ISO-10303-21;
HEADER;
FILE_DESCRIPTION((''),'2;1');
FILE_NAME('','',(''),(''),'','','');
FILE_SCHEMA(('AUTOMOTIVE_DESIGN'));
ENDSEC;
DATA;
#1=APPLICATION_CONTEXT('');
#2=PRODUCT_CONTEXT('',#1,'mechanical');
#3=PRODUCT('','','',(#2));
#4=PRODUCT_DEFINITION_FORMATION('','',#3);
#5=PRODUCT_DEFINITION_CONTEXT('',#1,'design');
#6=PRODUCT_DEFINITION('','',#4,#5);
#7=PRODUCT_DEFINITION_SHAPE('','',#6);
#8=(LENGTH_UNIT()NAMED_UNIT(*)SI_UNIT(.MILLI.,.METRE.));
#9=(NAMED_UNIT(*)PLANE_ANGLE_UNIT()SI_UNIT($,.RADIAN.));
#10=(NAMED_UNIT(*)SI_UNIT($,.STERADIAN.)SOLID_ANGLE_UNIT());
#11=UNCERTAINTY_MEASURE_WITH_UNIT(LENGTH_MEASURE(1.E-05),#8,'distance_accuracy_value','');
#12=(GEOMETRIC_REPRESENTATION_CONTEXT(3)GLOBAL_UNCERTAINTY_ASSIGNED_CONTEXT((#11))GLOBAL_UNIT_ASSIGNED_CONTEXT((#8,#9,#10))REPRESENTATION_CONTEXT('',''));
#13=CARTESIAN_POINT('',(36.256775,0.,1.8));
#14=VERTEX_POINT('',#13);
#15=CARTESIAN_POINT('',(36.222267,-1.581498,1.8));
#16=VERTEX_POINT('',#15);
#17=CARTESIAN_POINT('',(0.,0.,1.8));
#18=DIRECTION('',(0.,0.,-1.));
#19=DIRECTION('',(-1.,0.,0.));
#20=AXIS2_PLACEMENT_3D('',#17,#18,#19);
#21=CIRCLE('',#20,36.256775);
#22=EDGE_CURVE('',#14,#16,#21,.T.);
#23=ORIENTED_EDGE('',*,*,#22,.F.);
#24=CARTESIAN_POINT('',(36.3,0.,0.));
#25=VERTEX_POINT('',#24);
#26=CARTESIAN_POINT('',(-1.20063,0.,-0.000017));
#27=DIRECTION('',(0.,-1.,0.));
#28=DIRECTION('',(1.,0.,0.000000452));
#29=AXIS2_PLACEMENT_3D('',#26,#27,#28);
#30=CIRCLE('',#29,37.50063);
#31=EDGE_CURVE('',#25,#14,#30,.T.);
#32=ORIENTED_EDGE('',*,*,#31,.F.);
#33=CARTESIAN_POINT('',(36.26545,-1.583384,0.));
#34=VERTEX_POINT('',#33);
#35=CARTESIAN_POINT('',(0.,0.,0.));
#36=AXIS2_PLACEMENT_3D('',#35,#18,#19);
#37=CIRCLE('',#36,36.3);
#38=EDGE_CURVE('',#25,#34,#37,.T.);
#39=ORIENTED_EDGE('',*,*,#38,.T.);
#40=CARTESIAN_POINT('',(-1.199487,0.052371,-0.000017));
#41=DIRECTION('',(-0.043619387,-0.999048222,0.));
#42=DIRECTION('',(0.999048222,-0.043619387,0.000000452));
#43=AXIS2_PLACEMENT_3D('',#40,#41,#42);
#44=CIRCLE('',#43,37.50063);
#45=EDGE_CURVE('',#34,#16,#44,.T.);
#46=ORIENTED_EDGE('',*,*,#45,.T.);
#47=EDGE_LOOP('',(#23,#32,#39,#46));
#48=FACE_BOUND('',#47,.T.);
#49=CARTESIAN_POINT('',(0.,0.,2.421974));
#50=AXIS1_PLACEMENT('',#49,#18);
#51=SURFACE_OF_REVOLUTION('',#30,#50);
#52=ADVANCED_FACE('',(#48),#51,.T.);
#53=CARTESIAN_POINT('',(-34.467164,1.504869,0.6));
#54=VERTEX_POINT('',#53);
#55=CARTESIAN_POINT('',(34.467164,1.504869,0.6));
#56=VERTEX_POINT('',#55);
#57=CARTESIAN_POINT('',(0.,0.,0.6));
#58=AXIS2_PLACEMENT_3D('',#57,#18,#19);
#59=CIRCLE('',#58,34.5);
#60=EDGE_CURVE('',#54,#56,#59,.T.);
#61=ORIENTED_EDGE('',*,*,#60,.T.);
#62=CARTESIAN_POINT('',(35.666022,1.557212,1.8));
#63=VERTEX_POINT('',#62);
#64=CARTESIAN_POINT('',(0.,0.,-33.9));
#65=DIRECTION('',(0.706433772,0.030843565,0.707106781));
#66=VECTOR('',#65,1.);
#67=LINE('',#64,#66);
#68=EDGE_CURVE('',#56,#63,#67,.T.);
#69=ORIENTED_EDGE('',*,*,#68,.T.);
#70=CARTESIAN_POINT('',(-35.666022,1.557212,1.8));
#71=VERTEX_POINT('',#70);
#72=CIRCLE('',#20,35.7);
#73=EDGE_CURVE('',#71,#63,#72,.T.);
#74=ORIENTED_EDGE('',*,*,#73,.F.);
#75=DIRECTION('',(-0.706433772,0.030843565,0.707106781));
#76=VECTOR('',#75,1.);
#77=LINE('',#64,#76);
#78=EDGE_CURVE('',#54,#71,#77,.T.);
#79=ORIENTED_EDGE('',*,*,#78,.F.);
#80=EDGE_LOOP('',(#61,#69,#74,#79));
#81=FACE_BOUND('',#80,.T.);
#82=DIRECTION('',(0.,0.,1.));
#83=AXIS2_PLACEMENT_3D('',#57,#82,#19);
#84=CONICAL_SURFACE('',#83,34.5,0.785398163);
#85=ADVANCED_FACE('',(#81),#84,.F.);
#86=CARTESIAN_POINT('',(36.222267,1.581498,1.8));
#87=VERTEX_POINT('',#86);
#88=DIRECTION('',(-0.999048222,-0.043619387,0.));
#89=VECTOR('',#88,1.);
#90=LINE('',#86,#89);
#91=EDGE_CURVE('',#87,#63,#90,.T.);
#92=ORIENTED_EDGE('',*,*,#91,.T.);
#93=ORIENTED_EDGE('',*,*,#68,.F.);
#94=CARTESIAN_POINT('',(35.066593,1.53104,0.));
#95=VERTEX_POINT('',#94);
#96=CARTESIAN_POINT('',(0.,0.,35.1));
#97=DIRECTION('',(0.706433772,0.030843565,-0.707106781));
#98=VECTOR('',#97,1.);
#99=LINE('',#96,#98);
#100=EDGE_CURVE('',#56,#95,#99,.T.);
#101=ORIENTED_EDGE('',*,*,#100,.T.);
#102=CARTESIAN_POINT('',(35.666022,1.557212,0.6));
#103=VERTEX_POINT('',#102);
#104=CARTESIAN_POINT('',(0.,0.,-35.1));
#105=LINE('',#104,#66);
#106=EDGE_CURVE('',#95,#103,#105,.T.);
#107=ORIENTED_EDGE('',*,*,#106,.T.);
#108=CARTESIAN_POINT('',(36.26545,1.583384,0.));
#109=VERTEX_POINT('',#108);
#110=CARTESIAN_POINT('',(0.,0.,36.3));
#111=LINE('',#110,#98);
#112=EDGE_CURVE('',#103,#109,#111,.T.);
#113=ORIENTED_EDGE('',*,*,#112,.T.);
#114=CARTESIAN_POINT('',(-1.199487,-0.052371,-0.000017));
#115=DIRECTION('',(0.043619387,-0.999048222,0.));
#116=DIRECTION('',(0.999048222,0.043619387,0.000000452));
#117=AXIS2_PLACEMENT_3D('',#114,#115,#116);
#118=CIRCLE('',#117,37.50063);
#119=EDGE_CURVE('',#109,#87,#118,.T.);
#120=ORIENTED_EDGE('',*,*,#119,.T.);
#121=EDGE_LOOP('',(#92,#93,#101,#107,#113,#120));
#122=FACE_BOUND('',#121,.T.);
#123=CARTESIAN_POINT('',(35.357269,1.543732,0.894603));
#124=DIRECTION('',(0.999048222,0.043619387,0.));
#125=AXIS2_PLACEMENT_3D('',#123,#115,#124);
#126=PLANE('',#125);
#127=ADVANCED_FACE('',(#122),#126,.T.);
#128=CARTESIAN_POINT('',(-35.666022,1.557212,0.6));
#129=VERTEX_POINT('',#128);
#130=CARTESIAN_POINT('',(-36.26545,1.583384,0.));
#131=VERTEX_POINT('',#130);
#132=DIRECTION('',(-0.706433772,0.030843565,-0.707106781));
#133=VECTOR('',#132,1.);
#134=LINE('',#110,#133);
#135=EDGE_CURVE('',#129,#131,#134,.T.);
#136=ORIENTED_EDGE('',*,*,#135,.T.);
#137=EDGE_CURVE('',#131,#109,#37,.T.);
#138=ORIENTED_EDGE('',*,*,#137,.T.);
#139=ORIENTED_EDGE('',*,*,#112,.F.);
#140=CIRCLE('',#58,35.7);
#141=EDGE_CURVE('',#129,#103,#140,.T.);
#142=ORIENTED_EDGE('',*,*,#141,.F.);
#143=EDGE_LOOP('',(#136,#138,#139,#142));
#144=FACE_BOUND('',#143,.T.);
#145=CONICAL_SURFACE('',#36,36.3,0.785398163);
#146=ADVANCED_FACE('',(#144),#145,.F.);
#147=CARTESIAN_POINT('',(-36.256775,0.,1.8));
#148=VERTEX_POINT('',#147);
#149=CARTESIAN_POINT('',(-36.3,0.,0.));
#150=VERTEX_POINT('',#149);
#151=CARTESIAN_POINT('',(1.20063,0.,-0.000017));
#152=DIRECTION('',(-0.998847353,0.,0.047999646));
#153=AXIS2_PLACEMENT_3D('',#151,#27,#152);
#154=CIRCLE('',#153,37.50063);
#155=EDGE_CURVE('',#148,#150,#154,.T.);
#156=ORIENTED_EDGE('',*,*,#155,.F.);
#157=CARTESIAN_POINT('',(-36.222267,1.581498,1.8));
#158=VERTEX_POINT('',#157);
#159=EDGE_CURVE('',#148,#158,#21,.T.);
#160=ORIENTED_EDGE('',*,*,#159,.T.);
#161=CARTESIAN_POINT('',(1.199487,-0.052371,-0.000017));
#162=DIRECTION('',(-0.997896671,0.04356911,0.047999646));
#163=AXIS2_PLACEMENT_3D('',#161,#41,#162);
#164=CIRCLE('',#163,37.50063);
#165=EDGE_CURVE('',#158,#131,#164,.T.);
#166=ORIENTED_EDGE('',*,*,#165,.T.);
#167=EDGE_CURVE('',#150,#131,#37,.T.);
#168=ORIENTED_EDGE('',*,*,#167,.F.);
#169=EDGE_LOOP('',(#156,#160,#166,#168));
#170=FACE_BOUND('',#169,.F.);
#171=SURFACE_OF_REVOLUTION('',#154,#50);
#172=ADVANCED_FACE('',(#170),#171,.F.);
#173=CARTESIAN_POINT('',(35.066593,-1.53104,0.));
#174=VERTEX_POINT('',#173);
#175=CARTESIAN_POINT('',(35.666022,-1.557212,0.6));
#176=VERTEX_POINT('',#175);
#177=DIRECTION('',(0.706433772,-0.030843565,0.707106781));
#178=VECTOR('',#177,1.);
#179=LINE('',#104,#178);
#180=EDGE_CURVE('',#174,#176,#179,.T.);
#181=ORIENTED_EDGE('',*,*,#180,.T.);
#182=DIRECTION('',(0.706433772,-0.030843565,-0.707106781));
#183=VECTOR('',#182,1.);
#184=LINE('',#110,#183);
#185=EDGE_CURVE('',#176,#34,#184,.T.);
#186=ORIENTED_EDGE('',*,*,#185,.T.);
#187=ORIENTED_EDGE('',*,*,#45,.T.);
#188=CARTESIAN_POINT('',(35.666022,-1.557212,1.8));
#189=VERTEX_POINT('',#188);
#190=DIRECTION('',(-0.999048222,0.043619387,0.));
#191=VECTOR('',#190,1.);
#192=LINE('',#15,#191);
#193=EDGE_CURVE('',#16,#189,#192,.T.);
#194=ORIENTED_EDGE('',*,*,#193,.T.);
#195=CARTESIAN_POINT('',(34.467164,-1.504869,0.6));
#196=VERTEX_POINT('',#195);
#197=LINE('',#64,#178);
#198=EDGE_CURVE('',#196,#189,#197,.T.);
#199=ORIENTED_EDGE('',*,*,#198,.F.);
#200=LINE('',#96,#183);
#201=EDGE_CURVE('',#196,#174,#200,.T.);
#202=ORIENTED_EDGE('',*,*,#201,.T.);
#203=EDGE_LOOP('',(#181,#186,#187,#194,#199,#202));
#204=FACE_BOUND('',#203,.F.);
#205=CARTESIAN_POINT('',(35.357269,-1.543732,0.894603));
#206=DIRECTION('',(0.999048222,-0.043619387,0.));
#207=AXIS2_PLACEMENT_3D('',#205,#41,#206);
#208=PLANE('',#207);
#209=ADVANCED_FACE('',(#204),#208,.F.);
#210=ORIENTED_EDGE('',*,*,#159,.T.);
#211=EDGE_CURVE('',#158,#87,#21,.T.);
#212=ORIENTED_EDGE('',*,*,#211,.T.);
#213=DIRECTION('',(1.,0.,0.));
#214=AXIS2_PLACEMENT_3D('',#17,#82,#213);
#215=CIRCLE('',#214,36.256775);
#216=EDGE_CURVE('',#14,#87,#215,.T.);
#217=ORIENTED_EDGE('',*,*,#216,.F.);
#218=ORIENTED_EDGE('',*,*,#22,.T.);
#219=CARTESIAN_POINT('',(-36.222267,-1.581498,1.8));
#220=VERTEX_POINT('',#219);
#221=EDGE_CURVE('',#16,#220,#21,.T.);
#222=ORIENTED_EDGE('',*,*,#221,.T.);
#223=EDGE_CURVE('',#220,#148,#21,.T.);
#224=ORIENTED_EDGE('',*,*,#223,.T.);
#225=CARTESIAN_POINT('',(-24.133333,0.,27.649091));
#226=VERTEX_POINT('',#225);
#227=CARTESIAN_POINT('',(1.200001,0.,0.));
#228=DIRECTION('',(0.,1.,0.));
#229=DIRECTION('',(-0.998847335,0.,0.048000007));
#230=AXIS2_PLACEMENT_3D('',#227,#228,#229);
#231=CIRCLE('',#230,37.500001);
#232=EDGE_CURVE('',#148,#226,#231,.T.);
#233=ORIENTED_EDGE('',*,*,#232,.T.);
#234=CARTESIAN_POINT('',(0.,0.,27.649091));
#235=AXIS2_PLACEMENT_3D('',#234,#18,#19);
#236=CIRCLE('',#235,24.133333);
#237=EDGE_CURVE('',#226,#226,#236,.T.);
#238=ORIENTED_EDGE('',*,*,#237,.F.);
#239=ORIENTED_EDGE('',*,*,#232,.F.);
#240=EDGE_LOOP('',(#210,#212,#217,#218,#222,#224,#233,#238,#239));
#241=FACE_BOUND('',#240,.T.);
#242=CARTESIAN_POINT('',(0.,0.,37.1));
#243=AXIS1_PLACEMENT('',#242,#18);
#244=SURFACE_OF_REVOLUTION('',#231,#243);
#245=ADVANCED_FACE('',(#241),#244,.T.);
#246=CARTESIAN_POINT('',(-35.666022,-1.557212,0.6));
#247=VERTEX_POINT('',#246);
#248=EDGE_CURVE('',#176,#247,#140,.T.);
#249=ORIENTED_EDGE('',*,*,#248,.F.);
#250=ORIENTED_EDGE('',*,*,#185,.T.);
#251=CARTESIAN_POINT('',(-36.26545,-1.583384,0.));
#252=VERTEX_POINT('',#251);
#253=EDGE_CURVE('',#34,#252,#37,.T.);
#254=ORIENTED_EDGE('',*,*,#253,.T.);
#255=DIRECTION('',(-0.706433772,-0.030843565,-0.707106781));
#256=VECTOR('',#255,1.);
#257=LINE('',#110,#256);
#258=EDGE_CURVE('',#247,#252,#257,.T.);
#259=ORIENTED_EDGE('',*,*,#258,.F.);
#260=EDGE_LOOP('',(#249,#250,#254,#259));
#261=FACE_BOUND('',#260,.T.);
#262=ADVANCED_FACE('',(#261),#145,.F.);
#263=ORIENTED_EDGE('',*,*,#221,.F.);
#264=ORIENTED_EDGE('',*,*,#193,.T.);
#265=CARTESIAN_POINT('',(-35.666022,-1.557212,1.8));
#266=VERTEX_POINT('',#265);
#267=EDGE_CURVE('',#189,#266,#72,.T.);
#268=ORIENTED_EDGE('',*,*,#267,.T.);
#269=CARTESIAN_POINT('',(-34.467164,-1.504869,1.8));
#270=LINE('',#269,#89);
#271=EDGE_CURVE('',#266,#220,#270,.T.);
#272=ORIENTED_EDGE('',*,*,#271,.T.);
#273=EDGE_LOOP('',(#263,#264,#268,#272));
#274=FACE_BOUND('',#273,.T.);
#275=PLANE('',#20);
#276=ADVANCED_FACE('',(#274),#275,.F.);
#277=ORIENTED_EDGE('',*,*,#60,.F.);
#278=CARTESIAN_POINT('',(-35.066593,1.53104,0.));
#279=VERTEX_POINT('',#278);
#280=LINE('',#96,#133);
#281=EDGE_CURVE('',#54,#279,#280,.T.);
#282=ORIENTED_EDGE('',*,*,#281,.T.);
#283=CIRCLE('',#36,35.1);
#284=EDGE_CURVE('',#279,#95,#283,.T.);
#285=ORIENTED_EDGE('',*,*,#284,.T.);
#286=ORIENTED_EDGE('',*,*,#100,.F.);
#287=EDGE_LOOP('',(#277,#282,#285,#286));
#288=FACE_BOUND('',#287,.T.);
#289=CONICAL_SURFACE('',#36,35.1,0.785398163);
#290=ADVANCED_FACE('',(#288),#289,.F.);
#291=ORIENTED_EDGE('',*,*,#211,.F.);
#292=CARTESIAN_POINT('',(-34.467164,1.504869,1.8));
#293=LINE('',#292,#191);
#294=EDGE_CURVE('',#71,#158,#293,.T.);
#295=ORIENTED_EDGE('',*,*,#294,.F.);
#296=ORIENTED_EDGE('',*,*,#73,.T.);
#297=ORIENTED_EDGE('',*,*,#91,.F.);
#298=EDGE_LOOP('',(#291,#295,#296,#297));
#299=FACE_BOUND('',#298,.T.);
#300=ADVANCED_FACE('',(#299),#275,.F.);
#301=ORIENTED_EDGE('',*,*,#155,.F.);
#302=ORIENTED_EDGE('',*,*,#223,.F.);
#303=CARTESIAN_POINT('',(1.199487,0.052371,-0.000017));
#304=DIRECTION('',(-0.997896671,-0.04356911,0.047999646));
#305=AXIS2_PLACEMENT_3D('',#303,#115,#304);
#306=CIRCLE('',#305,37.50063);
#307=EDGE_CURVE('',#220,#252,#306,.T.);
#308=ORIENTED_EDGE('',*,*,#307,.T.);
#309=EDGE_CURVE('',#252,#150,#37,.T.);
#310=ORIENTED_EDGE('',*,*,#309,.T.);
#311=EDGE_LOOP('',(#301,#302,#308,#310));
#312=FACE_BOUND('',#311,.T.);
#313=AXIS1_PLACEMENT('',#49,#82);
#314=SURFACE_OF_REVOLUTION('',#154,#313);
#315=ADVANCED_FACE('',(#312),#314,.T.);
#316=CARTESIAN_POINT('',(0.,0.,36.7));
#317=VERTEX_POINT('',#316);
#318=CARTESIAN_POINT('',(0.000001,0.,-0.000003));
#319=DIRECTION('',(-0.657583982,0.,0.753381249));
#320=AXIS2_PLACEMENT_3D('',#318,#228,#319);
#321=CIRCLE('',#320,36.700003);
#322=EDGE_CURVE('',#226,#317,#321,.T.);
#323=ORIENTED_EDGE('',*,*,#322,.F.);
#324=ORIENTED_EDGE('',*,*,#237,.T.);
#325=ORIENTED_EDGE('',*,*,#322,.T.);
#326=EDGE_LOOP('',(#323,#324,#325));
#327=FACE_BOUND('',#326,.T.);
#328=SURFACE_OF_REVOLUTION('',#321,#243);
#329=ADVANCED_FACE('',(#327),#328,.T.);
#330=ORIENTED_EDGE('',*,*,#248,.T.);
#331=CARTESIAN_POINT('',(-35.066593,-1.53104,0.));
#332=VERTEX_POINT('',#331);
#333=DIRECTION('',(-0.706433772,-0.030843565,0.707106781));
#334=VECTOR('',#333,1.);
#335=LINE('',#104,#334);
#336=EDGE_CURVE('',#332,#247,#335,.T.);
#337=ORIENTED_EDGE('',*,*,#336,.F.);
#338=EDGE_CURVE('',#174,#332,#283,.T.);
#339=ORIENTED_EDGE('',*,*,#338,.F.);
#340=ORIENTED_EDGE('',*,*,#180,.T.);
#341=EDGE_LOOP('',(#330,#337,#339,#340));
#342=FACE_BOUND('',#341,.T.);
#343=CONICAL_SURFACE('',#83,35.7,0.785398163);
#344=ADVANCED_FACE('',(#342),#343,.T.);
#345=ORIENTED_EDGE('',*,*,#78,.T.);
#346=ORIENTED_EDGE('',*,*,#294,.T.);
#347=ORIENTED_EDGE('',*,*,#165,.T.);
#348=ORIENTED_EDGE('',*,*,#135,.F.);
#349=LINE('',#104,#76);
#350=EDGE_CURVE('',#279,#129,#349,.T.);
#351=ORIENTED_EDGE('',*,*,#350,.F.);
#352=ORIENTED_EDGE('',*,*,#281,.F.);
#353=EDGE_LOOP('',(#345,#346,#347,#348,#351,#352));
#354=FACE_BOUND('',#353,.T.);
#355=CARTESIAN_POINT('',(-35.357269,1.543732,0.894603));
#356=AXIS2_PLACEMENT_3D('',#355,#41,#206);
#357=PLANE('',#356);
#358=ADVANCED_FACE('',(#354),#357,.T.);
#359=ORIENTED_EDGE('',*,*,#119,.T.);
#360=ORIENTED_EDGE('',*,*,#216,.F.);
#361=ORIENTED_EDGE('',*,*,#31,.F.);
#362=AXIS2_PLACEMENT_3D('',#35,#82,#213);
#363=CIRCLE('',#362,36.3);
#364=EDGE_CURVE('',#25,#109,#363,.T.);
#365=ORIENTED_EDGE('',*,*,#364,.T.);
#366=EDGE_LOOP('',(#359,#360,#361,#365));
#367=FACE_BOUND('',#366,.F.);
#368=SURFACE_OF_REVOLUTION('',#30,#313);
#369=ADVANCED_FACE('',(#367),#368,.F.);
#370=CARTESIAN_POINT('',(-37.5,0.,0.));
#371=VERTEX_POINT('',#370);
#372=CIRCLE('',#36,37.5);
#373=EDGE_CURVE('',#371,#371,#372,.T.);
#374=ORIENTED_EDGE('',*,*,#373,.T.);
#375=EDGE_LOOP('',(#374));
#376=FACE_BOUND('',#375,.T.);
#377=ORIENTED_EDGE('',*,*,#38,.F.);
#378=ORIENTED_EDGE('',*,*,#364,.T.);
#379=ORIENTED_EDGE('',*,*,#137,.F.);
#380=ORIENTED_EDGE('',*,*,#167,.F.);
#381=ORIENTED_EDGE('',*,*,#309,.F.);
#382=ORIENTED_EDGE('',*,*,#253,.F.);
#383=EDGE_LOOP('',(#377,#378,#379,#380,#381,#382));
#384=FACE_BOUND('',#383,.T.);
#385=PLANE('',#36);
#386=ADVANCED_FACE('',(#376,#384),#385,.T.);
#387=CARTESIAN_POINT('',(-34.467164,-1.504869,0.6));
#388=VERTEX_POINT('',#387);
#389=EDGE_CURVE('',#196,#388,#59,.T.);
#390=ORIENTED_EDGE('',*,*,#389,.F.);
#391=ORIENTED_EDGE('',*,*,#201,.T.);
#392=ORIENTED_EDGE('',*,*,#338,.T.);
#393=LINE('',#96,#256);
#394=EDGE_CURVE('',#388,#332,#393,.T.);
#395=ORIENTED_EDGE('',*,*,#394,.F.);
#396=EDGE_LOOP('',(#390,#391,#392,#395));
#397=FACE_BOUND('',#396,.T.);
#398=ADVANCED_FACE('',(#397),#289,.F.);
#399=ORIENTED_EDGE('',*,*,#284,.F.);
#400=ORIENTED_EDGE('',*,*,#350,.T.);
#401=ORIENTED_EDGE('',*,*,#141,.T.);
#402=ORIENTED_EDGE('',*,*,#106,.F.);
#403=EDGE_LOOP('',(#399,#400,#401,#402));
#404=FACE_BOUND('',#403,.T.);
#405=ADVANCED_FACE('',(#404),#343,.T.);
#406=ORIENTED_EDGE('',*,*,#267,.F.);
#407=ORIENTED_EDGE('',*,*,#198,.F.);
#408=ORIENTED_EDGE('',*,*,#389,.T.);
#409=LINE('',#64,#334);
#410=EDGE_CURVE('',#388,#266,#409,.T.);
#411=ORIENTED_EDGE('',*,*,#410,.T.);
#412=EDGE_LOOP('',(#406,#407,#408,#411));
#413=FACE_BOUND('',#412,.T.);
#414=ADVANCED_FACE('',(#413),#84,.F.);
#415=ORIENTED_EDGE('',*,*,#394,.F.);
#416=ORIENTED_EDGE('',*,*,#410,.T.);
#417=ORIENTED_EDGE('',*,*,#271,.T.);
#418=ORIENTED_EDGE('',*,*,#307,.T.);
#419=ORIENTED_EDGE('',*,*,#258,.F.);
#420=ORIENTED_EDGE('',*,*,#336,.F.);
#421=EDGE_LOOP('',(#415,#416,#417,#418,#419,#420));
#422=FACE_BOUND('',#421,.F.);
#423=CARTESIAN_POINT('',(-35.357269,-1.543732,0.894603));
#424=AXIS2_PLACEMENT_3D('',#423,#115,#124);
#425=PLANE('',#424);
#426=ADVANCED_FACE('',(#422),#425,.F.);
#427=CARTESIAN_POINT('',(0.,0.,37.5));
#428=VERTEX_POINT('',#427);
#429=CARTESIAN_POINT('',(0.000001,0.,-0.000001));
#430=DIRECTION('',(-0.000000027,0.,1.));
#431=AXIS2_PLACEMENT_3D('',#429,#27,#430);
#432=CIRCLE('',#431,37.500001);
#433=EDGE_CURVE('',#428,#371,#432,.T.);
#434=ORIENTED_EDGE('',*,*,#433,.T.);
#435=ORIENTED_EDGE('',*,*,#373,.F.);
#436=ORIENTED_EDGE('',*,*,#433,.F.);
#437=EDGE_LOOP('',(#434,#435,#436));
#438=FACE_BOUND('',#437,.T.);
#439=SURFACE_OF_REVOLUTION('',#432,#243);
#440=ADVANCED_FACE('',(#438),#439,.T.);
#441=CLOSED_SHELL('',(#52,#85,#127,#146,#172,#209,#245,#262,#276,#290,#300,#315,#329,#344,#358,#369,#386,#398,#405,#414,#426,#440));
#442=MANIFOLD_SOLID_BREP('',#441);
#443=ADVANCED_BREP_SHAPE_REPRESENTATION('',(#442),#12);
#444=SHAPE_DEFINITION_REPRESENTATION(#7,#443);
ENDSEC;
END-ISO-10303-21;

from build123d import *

# Parameters (mm, degrees)
F3_ANGLE = 5


with BuildPart() as f1:
    # F0 (on Front) → F1 (revolve)
    with BuildSketch(Plane.XZ):
        with BuildLine():
            Line((0, 36.7), (0, 37.5))
            ThreePointArc((0, 37.5), (-26.516504, 26.516504), (-37.5, 0))
            Line((-37.5, 0), (-36.3, 0))
            ThreePointArc((-36.3, 0), (-36.289192, 0.900259), (-36.256775, 1.8))
            ThreePointArc((-36.256775, 1.8), (-32.751337, 15.923464), (-24.133333, 27.649091))
            ThreePointArc((-24.133333, 27.649091), (-12.887365, 34.362855), (0, 36.7))
        make_face()
        with BuildLine():
            ThreePointArc((-36.256775, 1.8), (-36.289192, 0.900259), (-36.3, 0))
            Line((-36.3, 0), (-35.7, 0.6))
            Line((-35.7, 0.6), (-35.1, 0))
            Line((-35.1, 0), (-34.5, 0.6))
            Line((-34.5, 0.6), (-35.7, 1.8))
            Line((-35.7, 1.8), (-36.256775, 1.8))
        make_face()
    revolve(axis=Axis((0, 0, 37.1), (0, 0, -1)))

    # F2 (on Front) → F3 (revolve, symmetric, cut)
    with BuildSketch(Plane.XZ) as f3_sk:
        with BuildLine():
            Line((-34.5, 1.8), (-36.256775, 1.8))
            ThreePointArc((-36.256775, 1.8), (-36.289192, 0.900259), (-36.3, 0))
            Line((-36.3, 0), (-34.5, 0))
            Line((-34.5, 0), (-34.5, 1.8))
        make_face()
        with BuildLine():
            Line((34.5, 1.8), (34.5, 0))
            Line((34.5, 0), (36.3, 0))
            ThreePointArc((36.3, 0), (36.289192, 0.900259), (36.256775, 1.8))
            Line((36.256775, 1.8), (34.5, 1.8))
        make_face()
    revolve(axis=Axis((0, 0, 2.421974), (0, 0, 1)), revolution_arc=F3_ANGLE / 2, mode=Mode.SUBTRACT)
    revolve(f3_sk.sketch, axis=Axis((0, 0, 2.421974), (0, 0, -1)), revolution_arc=F3_ANGLE / 2, mode=Mode.SUBTRACT)


solid = f1.part
